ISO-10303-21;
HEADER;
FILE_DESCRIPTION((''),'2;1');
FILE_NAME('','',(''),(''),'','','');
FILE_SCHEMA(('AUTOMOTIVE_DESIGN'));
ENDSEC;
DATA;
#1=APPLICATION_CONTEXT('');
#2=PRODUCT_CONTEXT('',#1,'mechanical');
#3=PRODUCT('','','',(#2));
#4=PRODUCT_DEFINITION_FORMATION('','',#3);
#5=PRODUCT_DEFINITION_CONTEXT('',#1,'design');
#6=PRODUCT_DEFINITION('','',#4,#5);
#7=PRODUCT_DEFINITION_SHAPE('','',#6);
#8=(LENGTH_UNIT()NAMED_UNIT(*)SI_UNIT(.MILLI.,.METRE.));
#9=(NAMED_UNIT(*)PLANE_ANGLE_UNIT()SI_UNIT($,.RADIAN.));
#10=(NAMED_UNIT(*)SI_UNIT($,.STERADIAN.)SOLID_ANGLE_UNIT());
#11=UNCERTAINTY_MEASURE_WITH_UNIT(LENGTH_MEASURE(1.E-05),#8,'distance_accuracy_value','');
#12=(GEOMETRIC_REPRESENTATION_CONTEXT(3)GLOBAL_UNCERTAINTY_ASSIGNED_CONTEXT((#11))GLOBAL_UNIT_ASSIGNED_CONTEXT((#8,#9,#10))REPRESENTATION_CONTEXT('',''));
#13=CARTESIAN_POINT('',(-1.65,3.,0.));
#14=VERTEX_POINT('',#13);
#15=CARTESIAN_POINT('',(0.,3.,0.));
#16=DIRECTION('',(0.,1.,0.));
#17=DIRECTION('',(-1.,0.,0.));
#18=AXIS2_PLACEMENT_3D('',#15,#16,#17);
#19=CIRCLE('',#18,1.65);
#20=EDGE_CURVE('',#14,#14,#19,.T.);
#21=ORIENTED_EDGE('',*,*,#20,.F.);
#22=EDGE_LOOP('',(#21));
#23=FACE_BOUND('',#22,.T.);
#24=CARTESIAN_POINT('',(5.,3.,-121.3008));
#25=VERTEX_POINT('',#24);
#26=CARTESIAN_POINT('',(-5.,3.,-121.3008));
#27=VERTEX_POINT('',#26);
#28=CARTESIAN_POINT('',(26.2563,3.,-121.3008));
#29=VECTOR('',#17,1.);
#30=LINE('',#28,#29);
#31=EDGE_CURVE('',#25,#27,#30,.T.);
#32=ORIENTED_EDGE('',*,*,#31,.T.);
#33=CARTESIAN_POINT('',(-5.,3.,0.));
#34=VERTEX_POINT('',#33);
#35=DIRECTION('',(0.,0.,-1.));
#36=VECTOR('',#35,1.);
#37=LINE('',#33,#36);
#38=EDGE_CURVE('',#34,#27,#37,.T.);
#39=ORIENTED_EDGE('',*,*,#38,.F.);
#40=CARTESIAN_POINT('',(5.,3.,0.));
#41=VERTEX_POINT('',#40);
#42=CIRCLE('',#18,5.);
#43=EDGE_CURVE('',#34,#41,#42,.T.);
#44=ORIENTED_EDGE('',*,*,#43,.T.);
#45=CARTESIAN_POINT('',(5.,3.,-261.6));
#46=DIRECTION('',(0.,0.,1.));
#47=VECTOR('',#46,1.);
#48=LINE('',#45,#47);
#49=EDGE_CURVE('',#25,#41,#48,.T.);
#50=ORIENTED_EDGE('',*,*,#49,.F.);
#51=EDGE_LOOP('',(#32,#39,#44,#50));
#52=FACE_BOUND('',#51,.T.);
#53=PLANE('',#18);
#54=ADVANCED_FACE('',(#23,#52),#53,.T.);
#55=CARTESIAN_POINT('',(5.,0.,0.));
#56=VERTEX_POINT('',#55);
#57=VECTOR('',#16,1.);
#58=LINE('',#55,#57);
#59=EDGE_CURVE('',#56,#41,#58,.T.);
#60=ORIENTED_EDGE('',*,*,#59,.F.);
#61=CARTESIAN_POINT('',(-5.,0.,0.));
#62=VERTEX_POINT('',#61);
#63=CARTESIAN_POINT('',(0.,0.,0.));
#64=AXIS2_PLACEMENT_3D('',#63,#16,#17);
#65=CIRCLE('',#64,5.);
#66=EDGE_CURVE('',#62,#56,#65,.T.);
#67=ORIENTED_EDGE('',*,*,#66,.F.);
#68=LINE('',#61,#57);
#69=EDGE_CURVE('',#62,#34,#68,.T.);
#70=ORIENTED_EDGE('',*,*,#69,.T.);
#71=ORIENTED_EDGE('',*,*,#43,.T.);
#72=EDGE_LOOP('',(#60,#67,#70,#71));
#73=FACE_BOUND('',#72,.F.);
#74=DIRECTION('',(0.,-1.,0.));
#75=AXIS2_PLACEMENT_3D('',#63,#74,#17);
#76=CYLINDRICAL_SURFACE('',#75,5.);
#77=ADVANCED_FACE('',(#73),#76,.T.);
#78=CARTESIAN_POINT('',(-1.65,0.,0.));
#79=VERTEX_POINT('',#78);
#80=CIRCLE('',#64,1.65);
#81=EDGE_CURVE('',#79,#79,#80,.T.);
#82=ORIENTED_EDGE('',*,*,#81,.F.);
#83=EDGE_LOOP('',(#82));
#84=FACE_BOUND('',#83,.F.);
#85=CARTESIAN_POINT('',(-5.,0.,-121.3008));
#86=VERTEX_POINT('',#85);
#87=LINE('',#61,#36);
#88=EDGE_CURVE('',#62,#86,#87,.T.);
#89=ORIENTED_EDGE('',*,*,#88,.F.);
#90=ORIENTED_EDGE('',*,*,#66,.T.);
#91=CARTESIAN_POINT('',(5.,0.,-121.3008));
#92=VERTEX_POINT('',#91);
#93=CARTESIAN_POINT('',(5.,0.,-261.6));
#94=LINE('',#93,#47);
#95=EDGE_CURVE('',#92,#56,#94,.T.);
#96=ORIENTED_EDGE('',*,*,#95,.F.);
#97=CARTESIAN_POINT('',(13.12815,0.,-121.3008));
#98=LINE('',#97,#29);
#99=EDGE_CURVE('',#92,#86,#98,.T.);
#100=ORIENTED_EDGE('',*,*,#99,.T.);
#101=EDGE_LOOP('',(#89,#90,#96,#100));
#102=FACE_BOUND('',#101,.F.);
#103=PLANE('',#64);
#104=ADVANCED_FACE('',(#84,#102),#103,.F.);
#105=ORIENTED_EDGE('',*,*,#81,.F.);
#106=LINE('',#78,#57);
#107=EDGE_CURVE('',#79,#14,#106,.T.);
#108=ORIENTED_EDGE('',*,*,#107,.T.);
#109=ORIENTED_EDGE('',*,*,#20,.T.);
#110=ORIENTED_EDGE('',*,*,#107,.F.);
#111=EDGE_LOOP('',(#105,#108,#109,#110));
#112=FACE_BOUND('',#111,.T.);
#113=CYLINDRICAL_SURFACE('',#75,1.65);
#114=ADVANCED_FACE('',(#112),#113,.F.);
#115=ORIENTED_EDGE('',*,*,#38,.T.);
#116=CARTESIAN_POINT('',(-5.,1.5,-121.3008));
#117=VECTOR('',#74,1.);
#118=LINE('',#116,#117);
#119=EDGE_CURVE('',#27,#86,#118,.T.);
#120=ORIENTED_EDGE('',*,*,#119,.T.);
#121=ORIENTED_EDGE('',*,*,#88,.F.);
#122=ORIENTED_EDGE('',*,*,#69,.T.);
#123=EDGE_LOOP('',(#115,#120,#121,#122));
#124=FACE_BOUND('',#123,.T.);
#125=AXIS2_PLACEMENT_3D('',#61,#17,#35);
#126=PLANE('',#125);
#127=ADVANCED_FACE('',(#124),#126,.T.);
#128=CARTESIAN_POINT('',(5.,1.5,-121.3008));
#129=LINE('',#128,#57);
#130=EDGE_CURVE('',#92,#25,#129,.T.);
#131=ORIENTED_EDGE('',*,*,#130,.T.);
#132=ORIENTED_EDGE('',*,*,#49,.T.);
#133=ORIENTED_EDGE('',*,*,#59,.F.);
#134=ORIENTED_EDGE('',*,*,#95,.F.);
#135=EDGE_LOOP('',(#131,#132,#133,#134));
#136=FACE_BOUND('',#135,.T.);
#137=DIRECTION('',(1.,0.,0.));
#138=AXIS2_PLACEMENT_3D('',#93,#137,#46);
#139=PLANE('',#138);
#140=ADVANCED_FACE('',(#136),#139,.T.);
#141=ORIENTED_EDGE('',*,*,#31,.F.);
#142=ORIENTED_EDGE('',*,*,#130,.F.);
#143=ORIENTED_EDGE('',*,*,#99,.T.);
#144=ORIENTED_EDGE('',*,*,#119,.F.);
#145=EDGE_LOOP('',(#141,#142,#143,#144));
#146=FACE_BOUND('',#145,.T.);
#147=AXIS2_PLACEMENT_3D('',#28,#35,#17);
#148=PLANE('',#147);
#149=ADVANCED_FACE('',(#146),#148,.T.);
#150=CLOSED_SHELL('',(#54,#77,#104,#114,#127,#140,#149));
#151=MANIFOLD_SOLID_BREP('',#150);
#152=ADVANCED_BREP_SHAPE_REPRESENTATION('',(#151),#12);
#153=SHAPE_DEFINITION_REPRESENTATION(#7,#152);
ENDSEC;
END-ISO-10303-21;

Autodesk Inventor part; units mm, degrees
ref_plane "YZ Plane" through (0, 0, 0) normal (1, 0, 0) x (0, 1, 0)
ref_plane "XZ Plane" through (0, 0, 0) normal (0, 1, 0) x (-1, 0, 0)
ref_plane "XY Plane" through (0, 0, 0) normal (0, 0, 1) x (1, 0, 0)
sketch "Sketch1" plane through (0, 0, 0) normal (0, 1, 0) x (-1, 0, 0)
  line L0 (0, 0) -> (0, -261.6) construction
  line L1 (5, 0) -> (5, -261.6)
  line L2 (-5, -261.6) -> (-5, 0)
  arc A0 (5, 0) -> (-5, 0) centre (0, 0) ccw
  arc A1 (-5, -261.6) -> (5, -261.6) centre (0, -261.6) ccw
  circle A2 centre (0, 0) radius 1.65
  circle A3 centre (0, -261.6) radius 1.65
  circle A4 centre (0, -153.559) radius 1.65
  point P0 (0, -130.8)
  dimension "d0" = 3.3
  dimension "d1" = 3.3
  dimension "d2" = 10
  dimension "d3" = 261.6
  dimension "d4" = 3.3
  dimension "d5" = 153.559
extrude "Extrusion1" add sketch "Sketch1" along normal blind 3
sketch "Sketch3" plane through (0, 3, 0) normal (0, 1, 0) x (1, 0, 0)
  line L0 (-22.4574, 275.926) -> (26.2563, 275.926)
  line L1 (26.2563, 275.926) -> (26.2563, 121.3008)
  line L2 (26.2563, 121.3008) -> (-22.4574, 121.3008)
  line L3 (-22.4574, 121.3008) -> (-22.4574, 275.926)
  line L4 (-103.4002, 357.0257) -> (155.5228, 357.0257)
  line L5 (155.5228, 357.0257) -> (155.5228, -67.8162)
  line L6 (155.5228, -67.8162) -> (-103.4002, -67.8162)
  line L7 (-103.4002, -67.8162) -> (-103.4002, 357.0257)
  point P0 (0, 0)
extrude "Extrusion2" cut sketch "Sketch3" against normal blind 100 contours L0 L1 L2 L3
properties part number "Part_2_p1"
